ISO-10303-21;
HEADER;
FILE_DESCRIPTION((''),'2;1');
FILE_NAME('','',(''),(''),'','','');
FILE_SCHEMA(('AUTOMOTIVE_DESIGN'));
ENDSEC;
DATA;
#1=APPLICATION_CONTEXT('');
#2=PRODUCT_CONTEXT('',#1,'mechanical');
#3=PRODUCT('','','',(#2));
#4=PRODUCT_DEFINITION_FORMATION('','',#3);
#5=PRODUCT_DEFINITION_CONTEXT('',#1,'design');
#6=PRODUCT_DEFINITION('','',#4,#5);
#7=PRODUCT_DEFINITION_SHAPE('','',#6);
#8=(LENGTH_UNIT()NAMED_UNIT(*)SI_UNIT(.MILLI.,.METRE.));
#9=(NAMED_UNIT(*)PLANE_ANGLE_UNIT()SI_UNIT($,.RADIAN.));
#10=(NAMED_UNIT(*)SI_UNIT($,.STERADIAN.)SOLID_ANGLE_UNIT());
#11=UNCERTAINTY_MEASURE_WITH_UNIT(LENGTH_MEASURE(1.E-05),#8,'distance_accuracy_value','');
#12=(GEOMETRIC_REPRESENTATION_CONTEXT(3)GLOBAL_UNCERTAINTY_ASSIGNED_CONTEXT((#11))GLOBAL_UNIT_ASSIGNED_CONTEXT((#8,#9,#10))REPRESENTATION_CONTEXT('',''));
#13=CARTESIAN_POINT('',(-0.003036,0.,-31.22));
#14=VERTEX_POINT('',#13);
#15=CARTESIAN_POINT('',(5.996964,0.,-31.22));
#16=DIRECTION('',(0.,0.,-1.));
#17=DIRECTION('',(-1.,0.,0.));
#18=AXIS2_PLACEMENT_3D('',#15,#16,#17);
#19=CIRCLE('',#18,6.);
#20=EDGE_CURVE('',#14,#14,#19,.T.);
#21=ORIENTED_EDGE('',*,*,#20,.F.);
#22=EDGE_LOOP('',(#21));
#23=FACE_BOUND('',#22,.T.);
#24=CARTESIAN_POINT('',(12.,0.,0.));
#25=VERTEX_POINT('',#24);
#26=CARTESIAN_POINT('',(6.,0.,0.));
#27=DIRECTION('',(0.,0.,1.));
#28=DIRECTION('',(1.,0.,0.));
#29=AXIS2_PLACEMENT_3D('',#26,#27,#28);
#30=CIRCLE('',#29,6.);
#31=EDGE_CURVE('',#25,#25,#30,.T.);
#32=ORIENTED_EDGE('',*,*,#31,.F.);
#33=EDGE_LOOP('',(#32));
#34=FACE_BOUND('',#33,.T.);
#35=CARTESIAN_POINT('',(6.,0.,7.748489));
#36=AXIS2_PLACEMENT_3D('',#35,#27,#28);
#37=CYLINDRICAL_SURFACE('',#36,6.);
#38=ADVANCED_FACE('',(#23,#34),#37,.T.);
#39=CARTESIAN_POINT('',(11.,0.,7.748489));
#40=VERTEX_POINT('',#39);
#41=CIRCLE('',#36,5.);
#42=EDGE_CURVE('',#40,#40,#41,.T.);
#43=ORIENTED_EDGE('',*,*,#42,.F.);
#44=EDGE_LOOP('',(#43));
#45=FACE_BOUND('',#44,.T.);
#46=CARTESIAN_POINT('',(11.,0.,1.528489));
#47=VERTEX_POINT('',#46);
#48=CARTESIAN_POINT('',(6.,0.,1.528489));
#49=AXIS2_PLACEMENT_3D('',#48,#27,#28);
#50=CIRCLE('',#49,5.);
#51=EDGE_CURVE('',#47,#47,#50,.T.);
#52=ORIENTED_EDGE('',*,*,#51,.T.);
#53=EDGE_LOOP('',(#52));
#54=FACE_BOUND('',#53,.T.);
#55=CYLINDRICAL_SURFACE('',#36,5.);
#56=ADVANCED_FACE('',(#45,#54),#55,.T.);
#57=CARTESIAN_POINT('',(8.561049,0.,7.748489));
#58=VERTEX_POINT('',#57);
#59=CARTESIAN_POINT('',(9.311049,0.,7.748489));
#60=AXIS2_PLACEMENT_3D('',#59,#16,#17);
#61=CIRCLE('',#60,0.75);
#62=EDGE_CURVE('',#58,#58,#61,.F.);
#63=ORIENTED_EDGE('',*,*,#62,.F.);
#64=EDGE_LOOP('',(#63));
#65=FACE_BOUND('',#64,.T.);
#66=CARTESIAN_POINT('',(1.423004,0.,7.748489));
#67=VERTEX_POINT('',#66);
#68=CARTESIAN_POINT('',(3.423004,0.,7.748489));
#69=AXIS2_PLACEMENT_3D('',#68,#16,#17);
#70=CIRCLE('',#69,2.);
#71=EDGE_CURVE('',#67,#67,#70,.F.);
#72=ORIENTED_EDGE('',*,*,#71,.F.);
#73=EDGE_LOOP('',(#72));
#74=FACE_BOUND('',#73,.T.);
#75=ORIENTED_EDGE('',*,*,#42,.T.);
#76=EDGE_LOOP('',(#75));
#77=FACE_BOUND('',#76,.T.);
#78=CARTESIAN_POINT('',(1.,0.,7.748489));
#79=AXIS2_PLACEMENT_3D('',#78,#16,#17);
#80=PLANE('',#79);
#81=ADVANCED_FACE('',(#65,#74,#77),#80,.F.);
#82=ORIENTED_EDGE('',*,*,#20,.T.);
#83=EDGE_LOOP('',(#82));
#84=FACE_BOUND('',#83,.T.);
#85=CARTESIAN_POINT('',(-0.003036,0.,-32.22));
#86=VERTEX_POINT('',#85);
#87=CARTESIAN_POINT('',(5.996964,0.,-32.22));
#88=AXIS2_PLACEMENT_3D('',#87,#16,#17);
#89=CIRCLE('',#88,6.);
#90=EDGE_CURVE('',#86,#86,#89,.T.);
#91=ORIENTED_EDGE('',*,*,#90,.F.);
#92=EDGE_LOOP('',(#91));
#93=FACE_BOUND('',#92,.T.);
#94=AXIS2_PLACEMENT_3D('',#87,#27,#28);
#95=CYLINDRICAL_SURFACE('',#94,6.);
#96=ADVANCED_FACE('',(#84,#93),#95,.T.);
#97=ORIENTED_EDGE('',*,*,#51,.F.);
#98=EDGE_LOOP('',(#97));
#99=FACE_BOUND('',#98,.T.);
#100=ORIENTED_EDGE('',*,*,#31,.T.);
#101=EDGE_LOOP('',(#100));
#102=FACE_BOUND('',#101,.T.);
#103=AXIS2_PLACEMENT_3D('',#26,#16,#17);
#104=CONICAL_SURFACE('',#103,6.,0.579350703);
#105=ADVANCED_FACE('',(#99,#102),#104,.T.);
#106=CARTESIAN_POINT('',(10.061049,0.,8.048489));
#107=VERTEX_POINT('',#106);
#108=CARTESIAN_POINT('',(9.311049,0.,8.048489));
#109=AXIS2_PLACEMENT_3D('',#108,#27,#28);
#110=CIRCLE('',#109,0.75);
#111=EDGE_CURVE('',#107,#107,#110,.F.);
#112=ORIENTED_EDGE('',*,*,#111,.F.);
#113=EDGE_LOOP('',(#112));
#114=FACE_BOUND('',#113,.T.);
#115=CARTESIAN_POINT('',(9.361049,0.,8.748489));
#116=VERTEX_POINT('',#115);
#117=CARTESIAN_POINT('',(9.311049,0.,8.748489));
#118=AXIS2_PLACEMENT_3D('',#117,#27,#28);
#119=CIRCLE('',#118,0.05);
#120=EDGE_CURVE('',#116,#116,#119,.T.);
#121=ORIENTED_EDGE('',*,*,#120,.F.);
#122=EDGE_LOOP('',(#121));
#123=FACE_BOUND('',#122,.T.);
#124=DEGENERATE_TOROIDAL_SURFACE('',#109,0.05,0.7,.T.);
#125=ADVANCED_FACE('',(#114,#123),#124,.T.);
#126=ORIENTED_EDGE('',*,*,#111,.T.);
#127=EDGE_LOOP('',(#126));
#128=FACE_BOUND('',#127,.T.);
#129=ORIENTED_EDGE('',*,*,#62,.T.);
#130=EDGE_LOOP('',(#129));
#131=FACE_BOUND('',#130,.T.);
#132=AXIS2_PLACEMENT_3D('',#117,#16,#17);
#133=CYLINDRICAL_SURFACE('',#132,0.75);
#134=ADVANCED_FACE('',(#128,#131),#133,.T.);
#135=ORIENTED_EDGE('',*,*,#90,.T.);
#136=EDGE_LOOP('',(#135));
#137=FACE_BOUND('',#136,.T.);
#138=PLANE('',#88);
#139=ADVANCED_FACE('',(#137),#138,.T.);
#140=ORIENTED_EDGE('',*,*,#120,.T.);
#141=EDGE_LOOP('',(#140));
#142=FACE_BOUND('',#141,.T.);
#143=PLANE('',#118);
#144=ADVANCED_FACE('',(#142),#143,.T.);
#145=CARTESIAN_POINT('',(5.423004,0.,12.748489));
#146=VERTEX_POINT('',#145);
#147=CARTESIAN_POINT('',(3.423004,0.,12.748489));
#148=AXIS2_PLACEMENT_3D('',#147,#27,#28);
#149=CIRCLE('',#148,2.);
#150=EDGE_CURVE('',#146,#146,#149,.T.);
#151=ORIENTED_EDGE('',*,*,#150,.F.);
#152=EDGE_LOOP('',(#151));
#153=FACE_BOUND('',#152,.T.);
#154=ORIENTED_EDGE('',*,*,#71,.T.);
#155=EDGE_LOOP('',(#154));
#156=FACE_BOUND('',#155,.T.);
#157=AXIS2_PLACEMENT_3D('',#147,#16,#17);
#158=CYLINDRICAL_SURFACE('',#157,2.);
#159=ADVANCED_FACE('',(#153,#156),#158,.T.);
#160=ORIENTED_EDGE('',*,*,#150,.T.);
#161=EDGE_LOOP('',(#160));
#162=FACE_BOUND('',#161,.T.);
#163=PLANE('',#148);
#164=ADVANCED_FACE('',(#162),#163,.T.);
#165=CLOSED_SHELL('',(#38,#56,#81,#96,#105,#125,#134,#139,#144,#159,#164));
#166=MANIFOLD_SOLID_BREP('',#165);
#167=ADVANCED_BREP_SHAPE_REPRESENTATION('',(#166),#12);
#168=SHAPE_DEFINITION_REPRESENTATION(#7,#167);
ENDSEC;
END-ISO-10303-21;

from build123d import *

# Parameters (mm, degrees)
SKETCH2_R           = 0.75
BOSS_EXTRUDE1_DEPTH = 1
FILLET1_R           = 0.7
SKETCH3_R           = 2
BOSS_EXTRUDE2_DEPTH = 5
SKETCH4_R           = 6
BOSS_EXTRUDE3_DEPTH = 1


with BuildPart() as part:
    # Sketch1 → Revolve1 (revolve)
    with BuildSketch(Plane(origin=(0, 0, 0), x_dir=(1, 0, 0), z_dir=(0, 1, 0)), mode=Mode.PRIVATE) as revolve1_sk:
        Polygon((0, 31.22), (0, 0), (1, -1.528489116), (1, -7.748489116), (6, -7.748489116), (6, 31.22), align=None)
    revolve(revolve1_sk.sketch.rotate(Axis((6, 0, 7.748489116), (0, 0, -1)), 180), axis=Axis((6, 0, 7.748489116), (0, 0, -1)))

    # Sketch2 → Boss-Extrude1 (add)
    with BuildSketch(Plane.XY.offset(7.748489116)):
        with Locations(Location((9.311049148, 0, 0), (0, 0, 180))):
            Circle(SKETCH2_R)
    extrude(amount=BOSS_EXTRUDE1_DEPTH)

    # Fillet1
    fillet1_edges = [part.edges().sort_by_distance(p)[0] for p in [
        (10.061049148, 0, 8.748489116),
    ]]
    fillet(fillet1_edges, radius=FILLET1_R)

    # Sketch3 → Boss-Extrude2 (add)
    with BuildSketch(Plane.XY.offset(7.748489116)):
        with Locations(Location((3.423004201, 0, 0), (0, 0, 180))):
            Circle(SKETCH3_R)
    extrude(amount=BOSS_EXTRUDE2_DEPTH)

    # Sketch4 → Boss-Extrude3 (add)
    with BuildSketch(Plane(origin=(0, 0, -31.22), x_dir=(-1, 0, 0), z_dir=(0, 0, -1))):
        with Locations((-5.996963967, 0)):
            Circle(SKETCH4_R)
    extrude(amount=BOSS_EXTRUDE3_DEPTH)


solid = part.part
